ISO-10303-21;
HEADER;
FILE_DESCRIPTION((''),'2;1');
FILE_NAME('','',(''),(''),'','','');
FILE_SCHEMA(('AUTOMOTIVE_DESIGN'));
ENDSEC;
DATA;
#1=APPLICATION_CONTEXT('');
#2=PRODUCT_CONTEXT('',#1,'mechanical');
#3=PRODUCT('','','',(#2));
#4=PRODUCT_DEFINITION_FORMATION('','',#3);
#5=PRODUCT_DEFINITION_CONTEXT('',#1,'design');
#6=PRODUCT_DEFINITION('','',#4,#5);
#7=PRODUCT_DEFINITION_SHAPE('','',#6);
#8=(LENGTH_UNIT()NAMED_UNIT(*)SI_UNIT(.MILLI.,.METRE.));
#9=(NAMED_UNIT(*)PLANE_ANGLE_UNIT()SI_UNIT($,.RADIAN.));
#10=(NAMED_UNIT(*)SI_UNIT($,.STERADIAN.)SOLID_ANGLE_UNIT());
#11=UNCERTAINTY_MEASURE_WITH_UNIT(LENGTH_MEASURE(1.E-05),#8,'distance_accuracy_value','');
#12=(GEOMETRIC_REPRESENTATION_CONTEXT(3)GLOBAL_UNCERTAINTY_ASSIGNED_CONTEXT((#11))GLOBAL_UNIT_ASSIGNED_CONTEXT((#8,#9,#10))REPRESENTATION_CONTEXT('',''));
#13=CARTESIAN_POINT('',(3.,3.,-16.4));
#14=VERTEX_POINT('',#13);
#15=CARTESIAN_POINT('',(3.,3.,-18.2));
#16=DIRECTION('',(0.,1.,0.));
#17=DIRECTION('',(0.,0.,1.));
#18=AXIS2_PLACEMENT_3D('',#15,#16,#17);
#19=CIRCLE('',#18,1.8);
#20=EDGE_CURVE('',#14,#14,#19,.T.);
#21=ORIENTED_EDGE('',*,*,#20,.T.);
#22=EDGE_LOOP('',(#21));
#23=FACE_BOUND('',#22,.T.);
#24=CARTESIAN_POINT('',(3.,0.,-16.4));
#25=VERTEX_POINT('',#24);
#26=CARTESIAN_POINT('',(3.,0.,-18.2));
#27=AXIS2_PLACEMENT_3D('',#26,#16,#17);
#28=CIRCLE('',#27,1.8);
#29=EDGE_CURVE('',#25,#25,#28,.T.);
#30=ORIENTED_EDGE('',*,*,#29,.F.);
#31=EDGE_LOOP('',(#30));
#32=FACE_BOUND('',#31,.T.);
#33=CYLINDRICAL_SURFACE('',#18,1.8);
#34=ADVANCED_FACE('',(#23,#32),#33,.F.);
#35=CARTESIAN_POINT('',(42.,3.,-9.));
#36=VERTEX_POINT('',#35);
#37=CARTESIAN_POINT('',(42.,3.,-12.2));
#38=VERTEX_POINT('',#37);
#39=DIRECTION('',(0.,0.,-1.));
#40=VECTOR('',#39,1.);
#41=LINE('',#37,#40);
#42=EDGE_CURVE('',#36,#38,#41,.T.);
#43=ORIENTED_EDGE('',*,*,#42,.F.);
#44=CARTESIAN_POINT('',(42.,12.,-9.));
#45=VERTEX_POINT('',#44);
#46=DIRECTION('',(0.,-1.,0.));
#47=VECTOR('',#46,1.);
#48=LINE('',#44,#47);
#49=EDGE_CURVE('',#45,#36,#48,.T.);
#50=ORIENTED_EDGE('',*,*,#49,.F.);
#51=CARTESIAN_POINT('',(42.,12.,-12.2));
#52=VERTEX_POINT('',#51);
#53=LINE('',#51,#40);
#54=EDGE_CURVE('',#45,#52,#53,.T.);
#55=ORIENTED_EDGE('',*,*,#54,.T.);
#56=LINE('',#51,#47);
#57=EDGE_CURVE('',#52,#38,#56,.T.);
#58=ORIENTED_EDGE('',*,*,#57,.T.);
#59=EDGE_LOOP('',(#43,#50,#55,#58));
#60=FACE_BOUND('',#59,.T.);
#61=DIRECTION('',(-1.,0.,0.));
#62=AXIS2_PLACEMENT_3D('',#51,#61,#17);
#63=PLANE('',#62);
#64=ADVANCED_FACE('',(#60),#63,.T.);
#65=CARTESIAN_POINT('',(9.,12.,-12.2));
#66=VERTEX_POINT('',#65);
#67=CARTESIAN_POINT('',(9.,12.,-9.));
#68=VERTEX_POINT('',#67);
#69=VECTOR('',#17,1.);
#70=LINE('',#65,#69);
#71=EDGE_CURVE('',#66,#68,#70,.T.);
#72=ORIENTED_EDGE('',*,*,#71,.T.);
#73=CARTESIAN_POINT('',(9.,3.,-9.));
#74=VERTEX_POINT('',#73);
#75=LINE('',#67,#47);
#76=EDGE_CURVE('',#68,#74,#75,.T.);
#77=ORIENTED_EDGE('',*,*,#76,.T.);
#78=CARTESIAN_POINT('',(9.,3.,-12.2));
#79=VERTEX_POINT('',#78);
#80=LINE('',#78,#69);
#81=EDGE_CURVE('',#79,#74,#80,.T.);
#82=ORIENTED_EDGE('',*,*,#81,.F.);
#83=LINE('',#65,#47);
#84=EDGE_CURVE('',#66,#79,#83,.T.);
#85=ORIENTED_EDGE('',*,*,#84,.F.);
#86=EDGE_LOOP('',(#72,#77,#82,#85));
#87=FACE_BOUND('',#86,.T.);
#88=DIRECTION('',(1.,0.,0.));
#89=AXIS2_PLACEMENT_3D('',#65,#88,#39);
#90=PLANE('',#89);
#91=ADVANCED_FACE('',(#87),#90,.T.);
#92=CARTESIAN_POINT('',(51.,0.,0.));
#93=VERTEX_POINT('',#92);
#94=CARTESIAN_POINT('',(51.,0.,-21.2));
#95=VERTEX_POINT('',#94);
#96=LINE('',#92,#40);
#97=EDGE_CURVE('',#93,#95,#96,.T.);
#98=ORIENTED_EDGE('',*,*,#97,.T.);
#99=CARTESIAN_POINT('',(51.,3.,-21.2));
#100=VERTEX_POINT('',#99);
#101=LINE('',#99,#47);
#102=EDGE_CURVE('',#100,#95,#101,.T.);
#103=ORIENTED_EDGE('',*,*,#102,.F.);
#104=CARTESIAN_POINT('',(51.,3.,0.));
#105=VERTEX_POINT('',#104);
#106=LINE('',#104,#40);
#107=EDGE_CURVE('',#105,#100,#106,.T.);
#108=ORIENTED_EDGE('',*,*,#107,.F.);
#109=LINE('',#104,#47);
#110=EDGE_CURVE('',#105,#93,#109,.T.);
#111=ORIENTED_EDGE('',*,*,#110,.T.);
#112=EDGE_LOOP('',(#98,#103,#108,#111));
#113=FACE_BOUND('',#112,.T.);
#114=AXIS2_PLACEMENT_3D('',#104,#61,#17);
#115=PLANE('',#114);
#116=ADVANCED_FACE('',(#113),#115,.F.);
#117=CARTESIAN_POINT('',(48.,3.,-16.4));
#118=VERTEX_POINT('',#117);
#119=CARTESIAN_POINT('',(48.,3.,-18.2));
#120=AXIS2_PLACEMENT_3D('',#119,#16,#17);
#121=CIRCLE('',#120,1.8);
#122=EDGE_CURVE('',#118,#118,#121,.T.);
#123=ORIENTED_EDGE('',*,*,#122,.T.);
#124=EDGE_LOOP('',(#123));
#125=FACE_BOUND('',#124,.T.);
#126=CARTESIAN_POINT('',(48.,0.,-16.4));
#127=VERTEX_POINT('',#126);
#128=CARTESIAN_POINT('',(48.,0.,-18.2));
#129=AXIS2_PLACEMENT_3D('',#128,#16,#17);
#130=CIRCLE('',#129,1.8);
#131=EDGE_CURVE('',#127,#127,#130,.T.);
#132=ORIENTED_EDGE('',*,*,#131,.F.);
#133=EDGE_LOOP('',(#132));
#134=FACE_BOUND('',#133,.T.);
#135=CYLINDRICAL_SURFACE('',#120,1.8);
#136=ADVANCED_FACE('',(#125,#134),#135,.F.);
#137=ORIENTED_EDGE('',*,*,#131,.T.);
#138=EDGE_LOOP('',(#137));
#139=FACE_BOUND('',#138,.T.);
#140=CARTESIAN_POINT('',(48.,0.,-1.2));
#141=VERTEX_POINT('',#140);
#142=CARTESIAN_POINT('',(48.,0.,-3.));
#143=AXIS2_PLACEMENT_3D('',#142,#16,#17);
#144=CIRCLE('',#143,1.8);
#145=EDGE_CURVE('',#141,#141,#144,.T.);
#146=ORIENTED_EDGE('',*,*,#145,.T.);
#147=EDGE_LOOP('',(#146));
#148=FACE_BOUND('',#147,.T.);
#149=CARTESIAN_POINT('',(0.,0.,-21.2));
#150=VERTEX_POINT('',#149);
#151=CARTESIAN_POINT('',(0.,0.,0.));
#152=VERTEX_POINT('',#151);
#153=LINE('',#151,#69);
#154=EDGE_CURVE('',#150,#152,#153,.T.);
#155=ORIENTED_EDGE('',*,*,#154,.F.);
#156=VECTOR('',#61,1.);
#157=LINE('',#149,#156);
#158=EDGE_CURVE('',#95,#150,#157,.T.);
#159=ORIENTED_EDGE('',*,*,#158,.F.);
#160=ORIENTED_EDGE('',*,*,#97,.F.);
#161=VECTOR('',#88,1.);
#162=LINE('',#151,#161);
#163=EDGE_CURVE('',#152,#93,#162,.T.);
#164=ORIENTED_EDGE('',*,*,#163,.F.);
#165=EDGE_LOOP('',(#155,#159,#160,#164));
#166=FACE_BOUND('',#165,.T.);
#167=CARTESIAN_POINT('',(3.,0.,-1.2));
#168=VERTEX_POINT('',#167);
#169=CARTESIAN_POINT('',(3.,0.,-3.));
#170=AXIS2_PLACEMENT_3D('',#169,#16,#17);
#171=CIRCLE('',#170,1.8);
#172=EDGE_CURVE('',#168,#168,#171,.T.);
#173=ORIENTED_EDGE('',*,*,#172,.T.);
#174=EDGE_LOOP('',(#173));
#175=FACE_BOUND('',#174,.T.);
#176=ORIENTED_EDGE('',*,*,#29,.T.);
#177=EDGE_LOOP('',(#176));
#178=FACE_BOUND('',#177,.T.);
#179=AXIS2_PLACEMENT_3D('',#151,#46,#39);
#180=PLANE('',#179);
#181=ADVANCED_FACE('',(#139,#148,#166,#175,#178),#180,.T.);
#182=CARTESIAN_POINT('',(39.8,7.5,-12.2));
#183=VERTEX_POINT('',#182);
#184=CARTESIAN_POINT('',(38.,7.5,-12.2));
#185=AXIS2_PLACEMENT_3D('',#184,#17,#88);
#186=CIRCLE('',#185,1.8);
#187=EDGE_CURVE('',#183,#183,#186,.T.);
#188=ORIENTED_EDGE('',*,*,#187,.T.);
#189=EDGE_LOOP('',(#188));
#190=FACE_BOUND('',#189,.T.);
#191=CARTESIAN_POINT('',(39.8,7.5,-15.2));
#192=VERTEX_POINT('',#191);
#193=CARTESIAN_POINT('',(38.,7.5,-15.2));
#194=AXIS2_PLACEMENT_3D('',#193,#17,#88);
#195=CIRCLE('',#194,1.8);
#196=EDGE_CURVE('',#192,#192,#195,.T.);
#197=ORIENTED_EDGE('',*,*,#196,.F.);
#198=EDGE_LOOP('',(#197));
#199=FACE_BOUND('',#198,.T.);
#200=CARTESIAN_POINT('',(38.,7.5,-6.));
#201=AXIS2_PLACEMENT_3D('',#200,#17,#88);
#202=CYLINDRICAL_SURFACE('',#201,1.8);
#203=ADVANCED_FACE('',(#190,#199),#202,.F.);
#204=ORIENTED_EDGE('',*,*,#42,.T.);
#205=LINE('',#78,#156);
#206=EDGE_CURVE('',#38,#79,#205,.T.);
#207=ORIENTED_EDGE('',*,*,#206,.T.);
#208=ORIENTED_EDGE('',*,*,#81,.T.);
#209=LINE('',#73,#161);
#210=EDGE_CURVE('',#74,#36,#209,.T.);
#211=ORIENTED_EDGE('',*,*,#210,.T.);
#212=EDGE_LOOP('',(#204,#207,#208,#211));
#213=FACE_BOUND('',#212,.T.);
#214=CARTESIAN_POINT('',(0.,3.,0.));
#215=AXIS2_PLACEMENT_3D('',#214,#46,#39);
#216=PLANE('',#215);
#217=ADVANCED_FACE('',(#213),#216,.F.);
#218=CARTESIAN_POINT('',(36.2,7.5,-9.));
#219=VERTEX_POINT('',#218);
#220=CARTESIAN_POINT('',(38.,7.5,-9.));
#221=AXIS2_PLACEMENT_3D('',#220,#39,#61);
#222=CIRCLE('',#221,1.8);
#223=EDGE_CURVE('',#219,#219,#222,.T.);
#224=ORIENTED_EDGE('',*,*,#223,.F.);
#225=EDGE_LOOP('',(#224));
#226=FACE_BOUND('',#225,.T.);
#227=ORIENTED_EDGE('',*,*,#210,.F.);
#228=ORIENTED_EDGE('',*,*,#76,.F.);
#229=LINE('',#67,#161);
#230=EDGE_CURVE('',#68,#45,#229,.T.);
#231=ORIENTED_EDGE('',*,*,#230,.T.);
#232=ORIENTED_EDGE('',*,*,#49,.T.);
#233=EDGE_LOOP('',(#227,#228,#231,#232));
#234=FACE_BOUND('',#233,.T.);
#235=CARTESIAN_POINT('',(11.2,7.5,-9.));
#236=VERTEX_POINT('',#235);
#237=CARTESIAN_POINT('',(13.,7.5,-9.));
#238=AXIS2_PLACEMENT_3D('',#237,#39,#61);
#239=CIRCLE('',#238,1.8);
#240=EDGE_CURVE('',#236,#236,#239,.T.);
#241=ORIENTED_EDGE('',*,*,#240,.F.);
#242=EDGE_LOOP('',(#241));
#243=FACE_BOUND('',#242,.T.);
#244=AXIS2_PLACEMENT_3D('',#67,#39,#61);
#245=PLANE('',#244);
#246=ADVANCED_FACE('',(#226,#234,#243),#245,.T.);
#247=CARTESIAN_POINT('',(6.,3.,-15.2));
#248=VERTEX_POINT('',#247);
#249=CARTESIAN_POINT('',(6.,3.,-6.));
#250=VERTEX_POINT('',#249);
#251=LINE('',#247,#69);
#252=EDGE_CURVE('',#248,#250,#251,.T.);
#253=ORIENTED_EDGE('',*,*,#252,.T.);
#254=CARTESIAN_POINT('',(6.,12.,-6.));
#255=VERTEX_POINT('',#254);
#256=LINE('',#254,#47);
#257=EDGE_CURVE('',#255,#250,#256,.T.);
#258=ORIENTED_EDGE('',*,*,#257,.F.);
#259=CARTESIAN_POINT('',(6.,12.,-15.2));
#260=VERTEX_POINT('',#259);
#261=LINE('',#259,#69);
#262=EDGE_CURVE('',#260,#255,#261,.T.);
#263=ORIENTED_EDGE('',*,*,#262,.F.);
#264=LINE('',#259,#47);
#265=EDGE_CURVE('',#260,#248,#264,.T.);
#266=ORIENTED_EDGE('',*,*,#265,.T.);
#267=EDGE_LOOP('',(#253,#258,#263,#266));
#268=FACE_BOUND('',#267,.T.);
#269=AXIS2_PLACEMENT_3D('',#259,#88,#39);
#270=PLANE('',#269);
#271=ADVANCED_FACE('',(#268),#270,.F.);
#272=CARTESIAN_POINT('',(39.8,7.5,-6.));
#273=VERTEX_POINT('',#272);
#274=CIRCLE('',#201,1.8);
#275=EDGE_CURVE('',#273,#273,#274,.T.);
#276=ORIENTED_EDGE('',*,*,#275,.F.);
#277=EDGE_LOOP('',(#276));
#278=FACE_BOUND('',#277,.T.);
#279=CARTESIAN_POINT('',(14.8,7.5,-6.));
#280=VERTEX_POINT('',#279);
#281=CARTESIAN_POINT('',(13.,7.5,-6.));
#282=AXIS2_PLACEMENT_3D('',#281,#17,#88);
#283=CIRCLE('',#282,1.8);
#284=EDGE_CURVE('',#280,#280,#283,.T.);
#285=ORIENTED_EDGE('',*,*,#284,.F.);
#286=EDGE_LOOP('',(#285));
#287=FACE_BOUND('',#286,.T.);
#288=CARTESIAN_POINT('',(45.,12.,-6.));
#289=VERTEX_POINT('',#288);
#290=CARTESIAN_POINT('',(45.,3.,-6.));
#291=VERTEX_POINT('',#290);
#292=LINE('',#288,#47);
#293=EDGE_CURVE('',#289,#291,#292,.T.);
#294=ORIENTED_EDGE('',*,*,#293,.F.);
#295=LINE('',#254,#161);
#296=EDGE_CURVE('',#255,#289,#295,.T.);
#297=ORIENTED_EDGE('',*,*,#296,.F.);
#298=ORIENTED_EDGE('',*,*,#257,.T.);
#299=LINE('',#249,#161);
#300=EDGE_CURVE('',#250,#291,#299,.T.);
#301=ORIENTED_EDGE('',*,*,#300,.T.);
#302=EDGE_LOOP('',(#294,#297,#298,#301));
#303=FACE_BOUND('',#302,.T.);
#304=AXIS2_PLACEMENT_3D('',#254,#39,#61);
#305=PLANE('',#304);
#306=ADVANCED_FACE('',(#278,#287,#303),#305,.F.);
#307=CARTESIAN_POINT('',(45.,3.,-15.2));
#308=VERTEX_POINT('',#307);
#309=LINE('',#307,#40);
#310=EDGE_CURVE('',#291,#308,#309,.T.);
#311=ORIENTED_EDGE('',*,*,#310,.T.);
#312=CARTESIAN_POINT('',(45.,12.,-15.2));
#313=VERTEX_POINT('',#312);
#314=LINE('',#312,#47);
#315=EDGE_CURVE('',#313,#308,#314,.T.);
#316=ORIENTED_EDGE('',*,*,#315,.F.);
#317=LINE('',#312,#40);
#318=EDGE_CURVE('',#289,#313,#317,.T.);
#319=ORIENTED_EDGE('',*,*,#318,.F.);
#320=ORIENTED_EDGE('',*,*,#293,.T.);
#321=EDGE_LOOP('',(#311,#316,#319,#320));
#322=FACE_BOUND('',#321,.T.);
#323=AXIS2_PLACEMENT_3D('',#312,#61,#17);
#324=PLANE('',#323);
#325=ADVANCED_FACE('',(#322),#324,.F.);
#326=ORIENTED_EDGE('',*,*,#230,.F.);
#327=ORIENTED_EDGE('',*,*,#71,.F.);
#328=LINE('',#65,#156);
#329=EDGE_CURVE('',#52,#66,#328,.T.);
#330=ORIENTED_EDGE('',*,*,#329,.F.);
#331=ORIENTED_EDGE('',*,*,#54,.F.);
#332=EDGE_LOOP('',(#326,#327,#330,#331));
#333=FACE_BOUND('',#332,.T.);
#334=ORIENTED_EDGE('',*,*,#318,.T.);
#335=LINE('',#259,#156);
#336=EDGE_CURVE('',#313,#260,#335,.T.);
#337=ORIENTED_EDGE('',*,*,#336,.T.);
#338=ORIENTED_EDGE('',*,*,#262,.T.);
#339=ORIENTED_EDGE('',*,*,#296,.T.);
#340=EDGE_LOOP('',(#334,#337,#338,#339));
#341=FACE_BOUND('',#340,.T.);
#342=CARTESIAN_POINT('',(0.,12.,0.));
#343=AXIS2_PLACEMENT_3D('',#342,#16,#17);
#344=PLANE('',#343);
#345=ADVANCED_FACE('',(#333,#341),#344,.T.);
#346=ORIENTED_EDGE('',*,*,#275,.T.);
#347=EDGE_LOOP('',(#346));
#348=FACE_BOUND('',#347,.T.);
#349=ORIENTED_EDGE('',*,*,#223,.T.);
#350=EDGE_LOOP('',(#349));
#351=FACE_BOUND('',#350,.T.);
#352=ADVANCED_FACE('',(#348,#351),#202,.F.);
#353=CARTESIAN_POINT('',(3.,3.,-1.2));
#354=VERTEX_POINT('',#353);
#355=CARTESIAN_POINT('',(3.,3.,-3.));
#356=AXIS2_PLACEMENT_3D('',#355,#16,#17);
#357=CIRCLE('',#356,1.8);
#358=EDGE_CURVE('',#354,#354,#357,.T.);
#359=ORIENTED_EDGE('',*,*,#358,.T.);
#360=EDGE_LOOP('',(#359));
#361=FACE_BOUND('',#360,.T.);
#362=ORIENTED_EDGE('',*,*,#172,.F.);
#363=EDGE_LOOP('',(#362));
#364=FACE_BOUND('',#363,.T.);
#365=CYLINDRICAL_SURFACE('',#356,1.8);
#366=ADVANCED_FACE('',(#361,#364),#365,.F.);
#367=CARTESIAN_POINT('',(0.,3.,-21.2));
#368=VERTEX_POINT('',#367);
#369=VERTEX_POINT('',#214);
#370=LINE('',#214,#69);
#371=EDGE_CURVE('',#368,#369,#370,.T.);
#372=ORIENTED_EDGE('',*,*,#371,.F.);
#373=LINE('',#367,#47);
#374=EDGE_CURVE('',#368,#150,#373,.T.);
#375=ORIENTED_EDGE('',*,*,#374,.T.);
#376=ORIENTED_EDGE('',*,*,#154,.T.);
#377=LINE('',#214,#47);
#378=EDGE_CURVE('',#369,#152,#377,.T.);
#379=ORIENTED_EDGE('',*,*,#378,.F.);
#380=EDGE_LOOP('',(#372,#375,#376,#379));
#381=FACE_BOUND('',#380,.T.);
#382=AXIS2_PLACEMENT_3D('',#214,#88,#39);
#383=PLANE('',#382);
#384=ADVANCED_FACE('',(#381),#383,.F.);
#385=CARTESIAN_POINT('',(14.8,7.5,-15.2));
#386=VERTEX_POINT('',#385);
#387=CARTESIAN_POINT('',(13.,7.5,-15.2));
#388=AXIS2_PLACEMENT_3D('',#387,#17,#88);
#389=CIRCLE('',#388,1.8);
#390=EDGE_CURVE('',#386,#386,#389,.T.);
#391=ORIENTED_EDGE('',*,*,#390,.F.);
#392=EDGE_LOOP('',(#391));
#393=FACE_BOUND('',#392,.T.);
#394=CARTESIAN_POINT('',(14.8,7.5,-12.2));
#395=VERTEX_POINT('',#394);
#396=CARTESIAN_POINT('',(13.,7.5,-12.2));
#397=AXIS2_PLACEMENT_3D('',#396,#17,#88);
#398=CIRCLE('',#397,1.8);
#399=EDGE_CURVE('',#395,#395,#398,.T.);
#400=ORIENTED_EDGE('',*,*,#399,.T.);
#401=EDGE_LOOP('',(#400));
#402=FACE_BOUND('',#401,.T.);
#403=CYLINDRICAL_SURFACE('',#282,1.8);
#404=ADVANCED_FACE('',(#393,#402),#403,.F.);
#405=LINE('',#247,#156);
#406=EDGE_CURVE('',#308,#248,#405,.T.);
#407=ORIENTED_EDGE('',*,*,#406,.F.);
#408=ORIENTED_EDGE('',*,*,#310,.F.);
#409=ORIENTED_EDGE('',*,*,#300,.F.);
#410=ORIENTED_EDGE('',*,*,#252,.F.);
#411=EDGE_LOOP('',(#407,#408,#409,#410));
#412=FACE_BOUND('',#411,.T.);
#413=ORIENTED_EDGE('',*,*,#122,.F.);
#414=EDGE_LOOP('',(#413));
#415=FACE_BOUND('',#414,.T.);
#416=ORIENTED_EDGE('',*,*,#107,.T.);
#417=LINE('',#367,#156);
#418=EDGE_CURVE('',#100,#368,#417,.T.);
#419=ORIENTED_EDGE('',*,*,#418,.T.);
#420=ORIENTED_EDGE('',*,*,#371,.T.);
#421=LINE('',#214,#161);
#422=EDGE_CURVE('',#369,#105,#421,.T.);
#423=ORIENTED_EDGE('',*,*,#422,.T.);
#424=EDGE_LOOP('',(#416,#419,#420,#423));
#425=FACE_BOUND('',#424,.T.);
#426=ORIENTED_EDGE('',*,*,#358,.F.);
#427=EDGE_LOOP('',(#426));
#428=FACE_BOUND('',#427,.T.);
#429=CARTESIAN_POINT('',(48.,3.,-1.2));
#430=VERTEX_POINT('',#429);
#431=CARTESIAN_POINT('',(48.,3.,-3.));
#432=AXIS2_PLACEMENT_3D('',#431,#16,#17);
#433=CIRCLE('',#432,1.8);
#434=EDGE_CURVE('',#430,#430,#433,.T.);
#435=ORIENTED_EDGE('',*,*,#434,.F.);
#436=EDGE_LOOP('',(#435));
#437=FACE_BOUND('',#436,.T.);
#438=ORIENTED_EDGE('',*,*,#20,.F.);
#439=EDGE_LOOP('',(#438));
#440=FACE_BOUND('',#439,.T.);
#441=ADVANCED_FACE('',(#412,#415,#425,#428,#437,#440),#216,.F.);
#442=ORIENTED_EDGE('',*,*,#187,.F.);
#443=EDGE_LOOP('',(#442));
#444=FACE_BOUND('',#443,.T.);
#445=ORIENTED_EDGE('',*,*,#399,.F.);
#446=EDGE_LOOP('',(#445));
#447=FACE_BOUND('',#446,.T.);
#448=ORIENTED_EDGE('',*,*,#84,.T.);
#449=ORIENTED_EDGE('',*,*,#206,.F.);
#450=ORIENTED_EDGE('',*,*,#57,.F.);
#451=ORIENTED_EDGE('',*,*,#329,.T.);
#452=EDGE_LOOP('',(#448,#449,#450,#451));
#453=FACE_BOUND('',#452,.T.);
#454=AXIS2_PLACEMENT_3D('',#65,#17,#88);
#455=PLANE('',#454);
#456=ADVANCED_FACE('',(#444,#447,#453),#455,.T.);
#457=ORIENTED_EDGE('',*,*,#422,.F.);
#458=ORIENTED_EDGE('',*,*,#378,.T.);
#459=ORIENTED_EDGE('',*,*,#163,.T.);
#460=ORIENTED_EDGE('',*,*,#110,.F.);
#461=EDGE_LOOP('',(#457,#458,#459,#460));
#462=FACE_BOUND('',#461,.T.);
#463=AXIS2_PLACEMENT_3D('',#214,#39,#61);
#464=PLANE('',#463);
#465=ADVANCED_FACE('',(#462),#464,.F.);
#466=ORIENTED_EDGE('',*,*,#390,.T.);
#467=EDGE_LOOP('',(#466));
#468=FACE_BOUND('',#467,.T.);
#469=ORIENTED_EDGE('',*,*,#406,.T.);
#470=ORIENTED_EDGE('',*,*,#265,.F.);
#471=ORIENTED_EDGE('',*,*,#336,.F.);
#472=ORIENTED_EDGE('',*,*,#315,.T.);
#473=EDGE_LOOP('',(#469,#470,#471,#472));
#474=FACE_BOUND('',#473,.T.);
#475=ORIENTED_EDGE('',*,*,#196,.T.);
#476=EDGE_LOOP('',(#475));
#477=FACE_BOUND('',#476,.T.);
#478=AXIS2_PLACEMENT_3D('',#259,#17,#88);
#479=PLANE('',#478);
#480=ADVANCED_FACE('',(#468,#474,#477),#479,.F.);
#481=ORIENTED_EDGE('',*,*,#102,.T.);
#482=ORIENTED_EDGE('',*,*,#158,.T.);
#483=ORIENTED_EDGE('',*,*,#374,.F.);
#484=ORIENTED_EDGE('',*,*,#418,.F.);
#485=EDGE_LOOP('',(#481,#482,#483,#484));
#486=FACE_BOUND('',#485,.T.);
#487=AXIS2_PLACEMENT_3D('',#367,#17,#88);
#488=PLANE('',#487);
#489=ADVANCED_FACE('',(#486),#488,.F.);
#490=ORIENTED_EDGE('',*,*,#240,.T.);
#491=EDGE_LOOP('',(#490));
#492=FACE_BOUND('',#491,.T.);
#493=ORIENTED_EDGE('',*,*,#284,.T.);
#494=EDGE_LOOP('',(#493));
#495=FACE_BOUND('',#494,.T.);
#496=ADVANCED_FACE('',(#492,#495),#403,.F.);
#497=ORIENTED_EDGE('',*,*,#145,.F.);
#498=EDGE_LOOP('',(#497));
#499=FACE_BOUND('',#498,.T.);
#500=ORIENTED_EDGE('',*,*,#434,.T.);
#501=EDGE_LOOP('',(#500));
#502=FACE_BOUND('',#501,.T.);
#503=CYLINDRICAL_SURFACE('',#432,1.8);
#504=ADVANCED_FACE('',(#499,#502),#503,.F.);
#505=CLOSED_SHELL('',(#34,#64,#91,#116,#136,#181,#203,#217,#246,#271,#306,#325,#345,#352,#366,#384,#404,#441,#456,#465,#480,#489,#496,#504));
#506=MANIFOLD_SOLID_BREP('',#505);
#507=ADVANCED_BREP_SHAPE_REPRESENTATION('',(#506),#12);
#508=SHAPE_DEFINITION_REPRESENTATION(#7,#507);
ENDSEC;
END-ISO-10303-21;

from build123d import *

# Parameters (mm, degrees)
SKETCH1_W            = 51
SKETCH1_H            = 21.2
BOSS_EXTRUDE1_DEPTH  = 3
SKETCH2_W            = 39
SKETCH2_H            = 9.2
SKETCH2_W_2          = 33
SKETCH2_H_2          = 3.2
BOSS_EXTRUDE2_DEPTH  = 9
M3_CLEARANCE_HOLE1_D = 3.6
M3_CLEARANCE_HOLE2_D = 3.6


with BuildPart() as part:
    # Sketch1 → Boss-Extrude1 (new body)
    with BuildSketch(Plane(origin=(0, 0, 0), x_dir=(1, 0, 0), z_dir=(0, 1, 0))):
        with Locations((25.5, 10.6)):
            Rectangle(SKETCH1_W, SKETCH1_H)
    extrude(amount=BOSS_EXTRUDE1_DEPTH)

    # Sketch2 → Boss-Extrude2 (add)
    with BuildSketch(Plane(origin=(0, 3, 0), x_dir=(1, 0, 0), z_dir=(0, 1, 0))):
        with Locations((25.5, 10.6)):
            Rectangle(SKETCH2_W, SKETCH2_H)
        with Locations((25.5, 10.6)):
            Rectangle(SKETCH2_W_2, SKETCH2_H_2, mode=Mode.SUBTRACT)
    extrude(amount=BOSS_EXTRUDE2_DEPTH)

    # M3 Clearance Hole1 (through all)
    with Locations(Plane(origin=(0, 3, 0), x_dir=(1, 0, 0), z_dir=(0, 1, 0))):
        with Locations((3, 18.2), (48, 18.2), (48, 3), (3, 3)):
            Hole(M3_CLEARANCE_HOLE1_D / 2)

    # M3 Clearance Hole2 (through all)
    with Locations(Plane.XY.offset(-6)):
        with Locations((13, 7.5), (38, 7.5)):
            Hole(M3_CLEARANCE_HOLE2_D / 2)


solid = part.part
